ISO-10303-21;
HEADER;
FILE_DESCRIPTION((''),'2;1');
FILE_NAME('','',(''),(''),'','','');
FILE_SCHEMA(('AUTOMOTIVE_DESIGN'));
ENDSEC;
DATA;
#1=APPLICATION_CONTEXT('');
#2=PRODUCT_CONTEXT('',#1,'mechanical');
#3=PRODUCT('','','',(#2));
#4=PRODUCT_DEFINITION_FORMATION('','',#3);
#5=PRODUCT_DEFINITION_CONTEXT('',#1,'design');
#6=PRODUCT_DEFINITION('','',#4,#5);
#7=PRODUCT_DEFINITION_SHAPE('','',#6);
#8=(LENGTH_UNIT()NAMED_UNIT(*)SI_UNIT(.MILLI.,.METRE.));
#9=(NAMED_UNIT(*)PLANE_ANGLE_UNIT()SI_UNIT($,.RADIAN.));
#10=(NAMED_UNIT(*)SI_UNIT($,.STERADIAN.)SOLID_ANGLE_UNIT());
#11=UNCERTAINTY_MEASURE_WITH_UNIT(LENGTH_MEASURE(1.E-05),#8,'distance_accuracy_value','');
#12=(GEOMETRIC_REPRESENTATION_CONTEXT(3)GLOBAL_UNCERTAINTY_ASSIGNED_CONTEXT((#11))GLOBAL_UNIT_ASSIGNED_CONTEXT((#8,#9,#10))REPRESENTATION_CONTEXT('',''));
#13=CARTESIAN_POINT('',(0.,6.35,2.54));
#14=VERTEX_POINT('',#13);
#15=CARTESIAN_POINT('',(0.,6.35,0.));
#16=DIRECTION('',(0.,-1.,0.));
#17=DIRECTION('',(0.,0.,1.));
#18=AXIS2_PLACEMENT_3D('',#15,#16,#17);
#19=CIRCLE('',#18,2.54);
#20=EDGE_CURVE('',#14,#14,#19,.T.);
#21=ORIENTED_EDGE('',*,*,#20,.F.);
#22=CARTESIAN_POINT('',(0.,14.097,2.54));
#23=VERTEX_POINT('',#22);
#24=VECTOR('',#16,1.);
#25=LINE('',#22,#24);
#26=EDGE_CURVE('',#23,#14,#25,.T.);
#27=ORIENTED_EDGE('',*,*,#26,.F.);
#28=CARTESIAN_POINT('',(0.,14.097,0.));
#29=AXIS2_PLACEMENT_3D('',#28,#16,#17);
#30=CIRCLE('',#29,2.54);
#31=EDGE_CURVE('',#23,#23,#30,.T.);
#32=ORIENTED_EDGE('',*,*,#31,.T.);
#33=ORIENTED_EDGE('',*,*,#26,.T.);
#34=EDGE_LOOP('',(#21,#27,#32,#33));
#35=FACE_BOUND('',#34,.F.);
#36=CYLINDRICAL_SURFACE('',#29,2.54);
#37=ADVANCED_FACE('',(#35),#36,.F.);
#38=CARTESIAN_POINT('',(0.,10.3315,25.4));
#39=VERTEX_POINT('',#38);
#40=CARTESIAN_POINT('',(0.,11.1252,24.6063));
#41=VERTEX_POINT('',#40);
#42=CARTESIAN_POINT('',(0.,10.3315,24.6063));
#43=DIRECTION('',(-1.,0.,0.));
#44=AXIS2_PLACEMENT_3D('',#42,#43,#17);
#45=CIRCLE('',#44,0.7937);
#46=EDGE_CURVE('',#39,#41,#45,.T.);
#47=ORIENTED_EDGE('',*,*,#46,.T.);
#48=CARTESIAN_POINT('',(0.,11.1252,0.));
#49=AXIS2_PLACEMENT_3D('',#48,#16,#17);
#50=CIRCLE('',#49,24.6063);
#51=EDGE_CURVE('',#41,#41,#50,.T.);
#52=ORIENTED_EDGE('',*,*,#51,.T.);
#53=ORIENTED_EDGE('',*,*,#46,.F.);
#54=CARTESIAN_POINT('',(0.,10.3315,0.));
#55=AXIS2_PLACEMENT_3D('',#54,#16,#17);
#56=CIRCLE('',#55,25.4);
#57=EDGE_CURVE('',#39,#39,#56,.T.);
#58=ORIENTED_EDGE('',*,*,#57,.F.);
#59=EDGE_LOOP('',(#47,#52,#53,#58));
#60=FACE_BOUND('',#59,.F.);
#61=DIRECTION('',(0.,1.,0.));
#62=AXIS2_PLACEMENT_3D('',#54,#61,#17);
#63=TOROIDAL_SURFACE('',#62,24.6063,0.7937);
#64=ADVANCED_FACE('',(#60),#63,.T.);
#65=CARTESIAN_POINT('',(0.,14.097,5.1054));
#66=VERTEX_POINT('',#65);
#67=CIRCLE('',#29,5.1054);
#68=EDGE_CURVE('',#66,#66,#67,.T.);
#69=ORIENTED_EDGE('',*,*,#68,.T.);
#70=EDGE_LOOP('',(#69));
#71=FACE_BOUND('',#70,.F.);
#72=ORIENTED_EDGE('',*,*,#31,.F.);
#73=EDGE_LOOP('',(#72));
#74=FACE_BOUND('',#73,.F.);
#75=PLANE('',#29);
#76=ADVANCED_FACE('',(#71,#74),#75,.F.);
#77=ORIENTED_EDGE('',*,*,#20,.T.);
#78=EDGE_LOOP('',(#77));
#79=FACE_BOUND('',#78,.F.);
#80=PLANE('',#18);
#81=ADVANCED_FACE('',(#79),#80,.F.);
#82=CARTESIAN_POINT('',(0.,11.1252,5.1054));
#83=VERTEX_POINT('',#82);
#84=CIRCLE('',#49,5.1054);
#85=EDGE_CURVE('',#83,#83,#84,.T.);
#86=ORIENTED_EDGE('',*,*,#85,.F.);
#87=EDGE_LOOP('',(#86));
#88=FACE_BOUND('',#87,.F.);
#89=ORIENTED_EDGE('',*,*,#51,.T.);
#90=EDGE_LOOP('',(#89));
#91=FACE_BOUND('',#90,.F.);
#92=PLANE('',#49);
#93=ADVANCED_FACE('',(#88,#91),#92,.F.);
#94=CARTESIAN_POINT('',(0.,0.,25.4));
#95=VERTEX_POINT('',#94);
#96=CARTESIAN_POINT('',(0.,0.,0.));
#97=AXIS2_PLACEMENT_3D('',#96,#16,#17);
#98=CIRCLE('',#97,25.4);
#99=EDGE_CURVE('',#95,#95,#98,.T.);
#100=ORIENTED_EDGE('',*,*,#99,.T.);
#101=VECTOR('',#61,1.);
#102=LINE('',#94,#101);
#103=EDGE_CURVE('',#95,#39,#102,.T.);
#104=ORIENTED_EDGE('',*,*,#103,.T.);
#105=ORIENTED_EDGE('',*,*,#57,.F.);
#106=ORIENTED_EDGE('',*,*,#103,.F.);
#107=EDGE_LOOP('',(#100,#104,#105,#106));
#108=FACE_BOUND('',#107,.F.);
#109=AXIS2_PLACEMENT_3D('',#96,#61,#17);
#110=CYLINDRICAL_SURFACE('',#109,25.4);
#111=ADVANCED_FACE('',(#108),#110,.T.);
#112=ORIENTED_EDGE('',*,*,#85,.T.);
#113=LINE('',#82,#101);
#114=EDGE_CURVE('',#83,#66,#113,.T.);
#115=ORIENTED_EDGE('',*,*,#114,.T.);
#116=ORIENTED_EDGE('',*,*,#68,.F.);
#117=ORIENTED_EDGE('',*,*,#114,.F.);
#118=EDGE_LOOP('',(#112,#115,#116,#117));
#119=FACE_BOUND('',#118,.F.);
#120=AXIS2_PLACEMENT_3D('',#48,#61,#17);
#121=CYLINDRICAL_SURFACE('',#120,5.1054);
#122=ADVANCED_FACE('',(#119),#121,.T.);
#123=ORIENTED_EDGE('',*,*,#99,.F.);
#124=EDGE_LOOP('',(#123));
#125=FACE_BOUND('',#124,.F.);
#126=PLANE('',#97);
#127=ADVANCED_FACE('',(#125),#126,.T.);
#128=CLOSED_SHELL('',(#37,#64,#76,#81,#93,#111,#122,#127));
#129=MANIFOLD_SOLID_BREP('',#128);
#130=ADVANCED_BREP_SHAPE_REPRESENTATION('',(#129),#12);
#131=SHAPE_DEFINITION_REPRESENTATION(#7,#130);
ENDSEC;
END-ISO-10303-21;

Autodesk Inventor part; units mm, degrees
ref_plane "YZ Plane" through (0, 0, 0) normal (1, 0, 0) x (0, 1, 0)
ref_plane "XZ Plane" through (0, 0, 0) normal (0, 1, 0) x (-1, 0, 0)
ref_plane "XY Plane" through (0, 0, 0) normal (0, 0, 1) x (1, 0, 0)
sketch "Sketch1" plane through (0, 0, 0) normal (1, 0, 0) x (0, 1, 0)
  line L0 (0, 0) -> (0, 25.4)
  line L1 (0, 25.4) -> (11.1252, 25.4)
  line L2 (11.1252, 25.4) -> (11.1252, 5.1054)
  line L3 (11.1252, 5.1054) -> (14.097, 5.1054)
  line L4 (14.097, 5.1054) -> (14.097, 2.54)
  line L5 (14.097, 2.54) -> (6.35, 2.54)
  line L6 (6.35, 2.54) -> (6.35, 0)
  line L7 (6.35, 0) -> (0, 0)
  dimension "d1" = 11.1252
  dimension "d2" = 50.8
  dimension "d3" = 14.097
  dimension "d4" = 5.08
  dimension "d5" = 10.2108
  dimension "d6" = 6.35
revolve "Revolution1" add sketch "Sketch1" angle 360 about axis through (0, 6.35, 0) along (0, -1, 0)
fillet "Fillet1" radius 0.7937 1 edges at (0, 11.1252, -25.4)
properties part number "BIG-MAGNET" material "Steel, Alloy"
